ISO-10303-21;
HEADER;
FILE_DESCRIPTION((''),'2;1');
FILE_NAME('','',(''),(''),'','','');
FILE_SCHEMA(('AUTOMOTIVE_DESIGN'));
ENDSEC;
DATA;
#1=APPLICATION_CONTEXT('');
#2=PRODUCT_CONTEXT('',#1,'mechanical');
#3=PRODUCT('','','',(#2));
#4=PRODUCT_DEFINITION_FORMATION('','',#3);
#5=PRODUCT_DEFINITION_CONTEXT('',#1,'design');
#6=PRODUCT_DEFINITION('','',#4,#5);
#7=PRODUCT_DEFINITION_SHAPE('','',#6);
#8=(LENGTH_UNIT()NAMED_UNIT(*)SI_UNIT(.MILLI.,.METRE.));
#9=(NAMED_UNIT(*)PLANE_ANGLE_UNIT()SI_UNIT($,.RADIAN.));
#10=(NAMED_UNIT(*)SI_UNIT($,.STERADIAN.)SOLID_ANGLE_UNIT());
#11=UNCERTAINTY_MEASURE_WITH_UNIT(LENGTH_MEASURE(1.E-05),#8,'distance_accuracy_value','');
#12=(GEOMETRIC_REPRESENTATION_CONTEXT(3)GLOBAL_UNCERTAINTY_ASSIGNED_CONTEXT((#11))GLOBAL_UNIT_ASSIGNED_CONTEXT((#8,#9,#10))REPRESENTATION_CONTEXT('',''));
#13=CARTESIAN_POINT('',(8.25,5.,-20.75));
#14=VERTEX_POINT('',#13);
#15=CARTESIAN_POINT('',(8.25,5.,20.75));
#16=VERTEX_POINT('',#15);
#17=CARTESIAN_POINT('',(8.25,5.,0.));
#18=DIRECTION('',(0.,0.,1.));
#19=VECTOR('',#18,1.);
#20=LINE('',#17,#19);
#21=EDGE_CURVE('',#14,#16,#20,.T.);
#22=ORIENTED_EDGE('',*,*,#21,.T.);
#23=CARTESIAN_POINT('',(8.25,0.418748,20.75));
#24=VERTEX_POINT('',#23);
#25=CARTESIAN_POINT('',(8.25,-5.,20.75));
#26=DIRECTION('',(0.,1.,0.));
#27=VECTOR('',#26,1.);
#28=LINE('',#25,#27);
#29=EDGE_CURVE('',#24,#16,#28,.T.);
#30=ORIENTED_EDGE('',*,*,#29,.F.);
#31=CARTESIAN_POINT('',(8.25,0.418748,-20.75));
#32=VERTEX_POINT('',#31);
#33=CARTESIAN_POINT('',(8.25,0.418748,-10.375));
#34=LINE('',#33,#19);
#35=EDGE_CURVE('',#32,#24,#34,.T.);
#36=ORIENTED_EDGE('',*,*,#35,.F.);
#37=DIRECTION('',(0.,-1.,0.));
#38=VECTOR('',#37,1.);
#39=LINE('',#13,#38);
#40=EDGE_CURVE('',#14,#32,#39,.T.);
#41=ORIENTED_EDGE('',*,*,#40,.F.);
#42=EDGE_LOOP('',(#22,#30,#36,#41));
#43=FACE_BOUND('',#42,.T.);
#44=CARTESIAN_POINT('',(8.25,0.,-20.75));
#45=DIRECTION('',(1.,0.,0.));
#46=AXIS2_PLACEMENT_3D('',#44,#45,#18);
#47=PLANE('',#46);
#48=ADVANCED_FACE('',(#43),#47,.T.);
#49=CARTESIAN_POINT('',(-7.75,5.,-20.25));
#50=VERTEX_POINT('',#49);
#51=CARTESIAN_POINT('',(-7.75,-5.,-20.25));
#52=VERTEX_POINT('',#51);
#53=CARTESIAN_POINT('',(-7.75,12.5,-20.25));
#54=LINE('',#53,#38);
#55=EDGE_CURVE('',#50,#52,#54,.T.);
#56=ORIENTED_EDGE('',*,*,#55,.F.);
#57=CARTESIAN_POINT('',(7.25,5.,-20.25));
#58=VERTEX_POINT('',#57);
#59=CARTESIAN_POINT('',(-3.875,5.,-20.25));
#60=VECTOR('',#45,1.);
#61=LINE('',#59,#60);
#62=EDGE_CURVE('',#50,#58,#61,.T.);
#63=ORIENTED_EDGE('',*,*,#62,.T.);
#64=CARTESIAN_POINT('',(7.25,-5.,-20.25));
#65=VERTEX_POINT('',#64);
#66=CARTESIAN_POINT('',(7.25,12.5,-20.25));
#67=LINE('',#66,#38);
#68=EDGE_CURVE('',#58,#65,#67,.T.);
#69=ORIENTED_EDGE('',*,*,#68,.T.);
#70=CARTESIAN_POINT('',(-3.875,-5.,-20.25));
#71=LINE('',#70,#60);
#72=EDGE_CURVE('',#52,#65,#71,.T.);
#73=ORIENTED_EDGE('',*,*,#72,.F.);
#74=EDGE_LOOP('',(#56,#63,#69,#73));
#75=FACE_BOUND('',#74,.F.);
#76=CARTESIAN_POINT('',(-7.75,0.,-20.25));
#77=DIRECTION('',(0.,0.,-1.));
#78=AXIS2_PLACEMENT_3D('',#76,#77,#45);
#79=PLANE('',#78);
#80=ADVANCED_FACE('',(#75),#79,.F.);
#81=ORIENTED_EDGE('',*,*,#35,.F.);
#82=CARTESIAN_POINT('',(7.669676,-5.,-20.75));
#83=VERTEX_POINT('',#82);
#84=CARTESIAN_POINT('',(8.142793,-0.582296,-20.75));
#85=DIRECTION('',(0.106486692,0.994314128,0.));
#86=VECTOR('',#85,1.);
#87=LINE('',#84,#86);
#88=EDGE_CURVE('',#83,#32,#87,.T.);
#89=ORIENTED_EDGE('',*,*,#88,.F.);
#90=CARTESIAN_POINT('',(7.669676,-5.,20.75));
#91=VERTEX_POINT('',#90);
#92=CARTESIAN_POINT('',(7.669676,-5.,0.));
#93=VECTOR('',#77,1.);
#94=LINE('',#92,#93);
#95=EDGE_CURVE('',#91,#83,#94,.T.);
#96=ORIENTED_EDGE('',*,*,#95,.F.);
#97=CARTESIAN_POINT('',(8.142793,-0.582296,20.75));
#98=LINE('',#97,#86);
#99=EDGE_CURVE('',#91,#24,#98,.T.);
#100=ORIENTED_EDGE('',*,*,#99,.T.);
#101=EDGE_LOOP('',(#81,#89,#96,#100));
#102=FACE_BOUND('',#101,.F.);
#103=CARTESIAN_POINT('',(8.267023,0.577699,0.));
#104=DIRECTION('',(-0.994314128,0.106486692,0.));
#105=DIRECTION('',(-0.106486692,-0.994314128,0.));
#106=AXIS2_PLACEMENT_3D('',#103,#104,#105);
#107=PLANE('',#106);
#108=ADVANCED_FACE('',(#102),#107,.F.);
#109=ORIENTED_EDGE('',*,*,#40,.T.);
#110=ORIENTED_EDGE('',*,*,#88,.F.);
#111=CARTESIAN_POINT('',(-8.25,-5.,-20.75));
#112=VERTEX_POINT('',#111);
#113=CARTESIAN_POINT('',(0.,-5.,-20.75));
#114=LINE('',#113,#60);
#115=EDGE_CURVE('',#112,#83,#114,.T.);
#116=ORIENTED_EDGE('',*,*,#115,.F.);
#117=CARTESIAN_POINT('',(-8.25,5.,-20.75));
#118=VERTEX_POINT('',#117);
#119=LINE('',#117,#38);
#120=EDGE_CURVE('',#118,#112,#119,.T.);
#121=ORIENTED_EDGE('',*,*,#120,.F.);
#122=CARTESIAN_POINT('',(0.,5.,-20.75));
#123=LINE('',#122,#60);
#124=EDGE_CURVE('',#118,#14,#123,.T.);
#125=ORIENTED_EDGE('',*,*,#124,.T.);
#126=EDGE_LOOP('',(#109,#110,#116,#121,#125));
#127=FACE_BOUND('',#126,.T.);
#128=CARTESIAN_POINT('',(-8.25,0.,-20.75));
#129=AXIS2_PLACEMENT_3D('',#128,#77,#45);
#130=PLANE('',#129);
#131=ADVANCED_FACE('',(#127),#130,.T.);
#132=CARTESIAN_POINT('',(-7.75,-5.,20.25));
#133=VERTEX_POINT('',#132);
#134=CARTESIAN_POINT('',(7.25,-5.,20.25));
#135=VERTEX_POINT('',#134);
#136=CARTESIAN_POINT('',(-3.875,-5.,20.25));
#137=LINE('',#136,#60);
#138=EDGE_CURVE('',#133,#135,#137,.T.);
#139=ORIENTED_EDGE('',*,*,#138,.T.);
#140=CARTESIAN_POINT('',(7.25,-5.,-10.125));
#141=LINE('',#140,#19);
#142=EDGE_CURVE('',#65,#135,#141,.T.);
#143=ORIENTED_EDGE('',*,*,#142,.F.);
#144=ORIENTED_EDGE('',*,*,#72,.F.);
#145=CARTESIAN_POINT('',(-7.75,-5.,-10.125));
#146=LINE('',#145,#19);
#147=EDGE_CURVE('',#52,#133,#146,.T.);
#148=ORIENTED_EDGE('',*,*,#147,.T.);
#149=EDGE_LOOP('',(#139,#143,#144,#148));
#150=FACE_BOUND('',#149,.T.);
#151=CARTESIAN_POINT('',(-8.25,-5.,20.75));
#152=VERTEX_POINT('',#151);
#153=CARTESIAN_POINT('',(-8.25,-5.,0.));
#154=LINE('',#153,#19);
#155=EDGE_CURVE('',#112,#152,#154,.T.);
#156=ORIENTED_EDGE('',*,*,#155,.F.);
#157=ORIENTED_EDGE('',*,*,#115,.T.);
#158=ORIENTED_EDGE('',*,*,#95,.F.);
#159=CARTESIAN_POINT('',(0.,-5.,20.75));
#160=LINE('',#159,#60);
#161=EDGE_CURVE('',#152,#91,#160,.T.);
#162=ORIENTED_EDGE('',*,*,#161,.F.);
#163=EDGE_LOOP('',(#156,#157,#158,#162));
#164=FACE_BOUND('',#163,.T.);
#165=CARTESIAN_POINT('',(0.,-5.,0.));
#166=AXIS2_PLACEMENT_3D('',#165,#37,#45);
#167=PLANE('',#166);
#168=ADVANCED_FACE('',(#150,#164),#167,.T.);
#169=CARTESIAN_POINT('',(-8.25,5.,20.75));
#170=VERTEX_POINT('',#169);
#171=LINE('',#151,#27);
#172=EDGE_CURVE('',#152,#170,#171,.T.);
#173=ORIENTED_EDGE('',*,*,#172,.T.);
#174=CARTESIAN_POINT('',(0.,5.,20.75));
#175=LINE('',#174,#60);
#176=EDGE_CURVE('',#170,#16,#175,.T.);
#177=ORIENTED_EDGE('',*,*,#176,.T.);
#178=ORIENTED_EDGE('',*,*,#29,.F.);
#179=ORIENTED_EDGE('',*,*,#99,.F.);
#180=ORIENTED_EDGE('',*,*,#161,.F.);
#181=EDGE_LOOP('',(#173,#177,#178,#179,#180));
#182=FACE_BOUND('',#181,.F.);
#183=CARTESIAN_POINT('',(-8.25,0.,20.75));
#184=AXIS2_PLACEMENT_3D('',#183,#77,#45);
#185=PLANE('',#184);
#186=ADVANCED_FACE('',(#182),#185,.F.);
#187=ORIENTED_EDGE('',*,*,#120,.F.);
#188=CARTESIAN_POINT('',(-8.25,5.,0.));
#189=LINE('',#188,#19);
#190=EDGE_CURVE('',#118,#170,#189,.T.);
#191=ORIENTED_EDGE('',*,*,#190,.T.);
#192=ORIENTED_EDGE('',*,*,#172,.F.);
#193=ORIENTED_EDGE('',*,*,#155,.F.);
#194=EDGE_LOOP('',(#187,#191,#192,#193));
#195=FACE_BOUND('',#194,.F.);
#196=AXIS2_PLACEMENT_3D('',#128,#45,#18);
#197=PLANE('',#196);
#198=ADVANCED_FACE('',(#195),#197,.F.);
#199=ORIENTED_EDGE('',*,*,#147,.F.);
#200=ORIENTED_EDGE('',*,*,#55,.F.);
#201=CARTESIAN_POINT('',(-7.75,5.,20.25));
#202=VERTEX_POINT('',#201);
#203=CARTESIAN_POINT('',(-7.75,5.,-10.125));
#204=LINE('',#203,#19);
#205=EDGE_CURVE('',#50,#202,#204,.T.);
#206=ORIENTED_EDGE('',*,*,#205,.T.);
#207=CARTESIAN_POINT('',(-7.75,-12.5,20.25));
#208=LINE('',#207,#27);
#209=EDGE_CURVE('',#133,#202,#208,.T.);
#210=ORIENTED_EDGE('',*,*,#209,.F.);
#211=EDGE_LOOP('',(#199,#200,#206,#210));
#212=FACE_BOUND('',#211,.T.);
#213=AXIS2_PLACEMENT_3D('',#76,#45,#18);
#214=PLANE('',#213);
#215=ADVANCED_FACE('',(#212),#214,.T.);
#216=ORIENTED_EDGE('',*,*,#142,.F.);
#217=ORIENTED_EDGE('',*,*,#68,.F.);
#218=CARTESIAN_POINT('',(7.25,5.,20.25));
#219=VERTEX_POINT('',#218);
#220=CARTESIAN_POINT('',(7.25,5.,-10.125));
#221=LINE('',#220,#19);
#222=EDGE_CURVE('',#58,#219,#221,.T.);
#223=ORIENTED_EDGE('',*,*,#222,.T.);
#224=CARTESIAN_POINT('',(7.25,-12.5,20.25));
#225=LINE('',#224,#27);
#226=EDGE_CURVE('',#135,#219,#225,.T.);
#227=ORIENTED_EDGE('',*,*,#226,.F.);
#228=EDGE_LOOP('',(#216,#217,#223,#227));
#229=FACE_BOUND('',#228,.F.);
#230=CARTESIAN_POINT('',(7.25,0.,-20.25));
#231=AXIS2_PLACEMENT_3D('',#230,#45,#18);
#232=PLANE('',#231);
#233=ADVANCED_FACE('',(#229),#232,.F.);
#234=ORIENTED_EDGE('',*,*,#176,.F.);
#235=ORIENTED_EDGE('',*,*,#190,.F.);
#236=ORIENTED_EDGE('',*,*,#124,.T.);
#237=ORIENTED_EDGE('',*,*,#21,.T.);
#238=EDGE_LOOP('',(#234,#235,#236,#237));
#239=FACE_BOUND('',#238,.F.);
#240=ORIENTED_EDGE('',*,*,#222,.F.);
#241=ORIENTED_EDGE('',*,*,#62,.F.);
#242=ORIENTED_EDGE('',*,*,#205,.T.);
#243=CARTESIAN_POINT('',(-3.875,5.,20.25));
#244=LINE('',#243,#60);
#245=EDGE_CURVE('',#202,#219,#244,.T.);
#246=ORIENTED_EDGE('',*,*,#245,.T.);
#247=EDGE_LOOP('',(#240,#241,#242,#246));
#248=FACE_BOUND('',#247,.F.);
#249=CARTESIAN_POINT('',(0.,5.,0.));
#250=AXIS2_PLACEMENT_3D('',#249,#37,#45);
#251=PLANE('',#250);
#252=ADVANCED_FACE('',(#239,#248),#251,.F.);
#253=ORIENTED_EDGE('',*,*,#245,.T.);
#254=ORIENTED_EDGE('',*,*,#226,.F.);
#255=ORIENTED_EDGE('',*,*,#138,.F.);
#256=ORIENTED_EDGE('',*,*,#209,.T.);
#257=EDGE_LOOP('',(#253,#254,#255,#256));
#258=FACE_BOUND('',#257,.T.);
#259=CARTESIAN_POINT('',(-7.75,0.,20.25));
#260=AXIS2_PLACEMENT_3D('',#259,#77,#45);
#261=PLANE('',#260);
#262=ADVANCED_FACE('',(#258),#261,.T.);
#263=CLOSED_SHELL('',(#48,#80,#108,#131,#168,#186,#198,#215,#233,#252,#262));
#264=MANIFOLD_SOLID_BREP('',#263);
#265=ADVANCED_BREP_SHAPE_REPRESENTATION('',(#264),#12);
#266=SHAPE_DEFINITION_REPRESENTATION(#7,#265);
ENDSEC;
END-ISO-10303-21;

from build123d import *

# Parameters (mm, degrees)
F0_W     = 16.5
F0_H     = 41.5
F1_DEPTH = 5
F2_W     = 15
F2_H     = 40.5
F3_DEPTH = 12.5
F5_DEPTH = 22.8


with BuildPart() as f1:
    # F0 (on Front) → F1 (new body, symmetric)
    with BuildSketch(Plane.XZ):
        Rectangle(F0_W, F0_H)
    extrude(amount=F1_DEPTH, both=True)

    # F2 (on Front) → F3 (cut, symmetric)
    with BuildSketch(Plane.XZ):
        with Locations((-0.25, 0)):
            Rectangle(F2_W, F2_H)
    extrude(amount=F3_DEPTH, both=True, mode=Mode.SUBTRACT)

    # F4 (on Top) → F5 (cut, symmetric)
    with BuildSketch(Plane.XY):
        Polygon((10.645687, 0.322955), (8.267023, 0.577699), (7.596283, -5.685302), (10.645687, -6.162507), align=None)
    extrude(amount=F5_DEPTH, both=True, mode=Mode.SUBTRACT)


solid = f1.part
